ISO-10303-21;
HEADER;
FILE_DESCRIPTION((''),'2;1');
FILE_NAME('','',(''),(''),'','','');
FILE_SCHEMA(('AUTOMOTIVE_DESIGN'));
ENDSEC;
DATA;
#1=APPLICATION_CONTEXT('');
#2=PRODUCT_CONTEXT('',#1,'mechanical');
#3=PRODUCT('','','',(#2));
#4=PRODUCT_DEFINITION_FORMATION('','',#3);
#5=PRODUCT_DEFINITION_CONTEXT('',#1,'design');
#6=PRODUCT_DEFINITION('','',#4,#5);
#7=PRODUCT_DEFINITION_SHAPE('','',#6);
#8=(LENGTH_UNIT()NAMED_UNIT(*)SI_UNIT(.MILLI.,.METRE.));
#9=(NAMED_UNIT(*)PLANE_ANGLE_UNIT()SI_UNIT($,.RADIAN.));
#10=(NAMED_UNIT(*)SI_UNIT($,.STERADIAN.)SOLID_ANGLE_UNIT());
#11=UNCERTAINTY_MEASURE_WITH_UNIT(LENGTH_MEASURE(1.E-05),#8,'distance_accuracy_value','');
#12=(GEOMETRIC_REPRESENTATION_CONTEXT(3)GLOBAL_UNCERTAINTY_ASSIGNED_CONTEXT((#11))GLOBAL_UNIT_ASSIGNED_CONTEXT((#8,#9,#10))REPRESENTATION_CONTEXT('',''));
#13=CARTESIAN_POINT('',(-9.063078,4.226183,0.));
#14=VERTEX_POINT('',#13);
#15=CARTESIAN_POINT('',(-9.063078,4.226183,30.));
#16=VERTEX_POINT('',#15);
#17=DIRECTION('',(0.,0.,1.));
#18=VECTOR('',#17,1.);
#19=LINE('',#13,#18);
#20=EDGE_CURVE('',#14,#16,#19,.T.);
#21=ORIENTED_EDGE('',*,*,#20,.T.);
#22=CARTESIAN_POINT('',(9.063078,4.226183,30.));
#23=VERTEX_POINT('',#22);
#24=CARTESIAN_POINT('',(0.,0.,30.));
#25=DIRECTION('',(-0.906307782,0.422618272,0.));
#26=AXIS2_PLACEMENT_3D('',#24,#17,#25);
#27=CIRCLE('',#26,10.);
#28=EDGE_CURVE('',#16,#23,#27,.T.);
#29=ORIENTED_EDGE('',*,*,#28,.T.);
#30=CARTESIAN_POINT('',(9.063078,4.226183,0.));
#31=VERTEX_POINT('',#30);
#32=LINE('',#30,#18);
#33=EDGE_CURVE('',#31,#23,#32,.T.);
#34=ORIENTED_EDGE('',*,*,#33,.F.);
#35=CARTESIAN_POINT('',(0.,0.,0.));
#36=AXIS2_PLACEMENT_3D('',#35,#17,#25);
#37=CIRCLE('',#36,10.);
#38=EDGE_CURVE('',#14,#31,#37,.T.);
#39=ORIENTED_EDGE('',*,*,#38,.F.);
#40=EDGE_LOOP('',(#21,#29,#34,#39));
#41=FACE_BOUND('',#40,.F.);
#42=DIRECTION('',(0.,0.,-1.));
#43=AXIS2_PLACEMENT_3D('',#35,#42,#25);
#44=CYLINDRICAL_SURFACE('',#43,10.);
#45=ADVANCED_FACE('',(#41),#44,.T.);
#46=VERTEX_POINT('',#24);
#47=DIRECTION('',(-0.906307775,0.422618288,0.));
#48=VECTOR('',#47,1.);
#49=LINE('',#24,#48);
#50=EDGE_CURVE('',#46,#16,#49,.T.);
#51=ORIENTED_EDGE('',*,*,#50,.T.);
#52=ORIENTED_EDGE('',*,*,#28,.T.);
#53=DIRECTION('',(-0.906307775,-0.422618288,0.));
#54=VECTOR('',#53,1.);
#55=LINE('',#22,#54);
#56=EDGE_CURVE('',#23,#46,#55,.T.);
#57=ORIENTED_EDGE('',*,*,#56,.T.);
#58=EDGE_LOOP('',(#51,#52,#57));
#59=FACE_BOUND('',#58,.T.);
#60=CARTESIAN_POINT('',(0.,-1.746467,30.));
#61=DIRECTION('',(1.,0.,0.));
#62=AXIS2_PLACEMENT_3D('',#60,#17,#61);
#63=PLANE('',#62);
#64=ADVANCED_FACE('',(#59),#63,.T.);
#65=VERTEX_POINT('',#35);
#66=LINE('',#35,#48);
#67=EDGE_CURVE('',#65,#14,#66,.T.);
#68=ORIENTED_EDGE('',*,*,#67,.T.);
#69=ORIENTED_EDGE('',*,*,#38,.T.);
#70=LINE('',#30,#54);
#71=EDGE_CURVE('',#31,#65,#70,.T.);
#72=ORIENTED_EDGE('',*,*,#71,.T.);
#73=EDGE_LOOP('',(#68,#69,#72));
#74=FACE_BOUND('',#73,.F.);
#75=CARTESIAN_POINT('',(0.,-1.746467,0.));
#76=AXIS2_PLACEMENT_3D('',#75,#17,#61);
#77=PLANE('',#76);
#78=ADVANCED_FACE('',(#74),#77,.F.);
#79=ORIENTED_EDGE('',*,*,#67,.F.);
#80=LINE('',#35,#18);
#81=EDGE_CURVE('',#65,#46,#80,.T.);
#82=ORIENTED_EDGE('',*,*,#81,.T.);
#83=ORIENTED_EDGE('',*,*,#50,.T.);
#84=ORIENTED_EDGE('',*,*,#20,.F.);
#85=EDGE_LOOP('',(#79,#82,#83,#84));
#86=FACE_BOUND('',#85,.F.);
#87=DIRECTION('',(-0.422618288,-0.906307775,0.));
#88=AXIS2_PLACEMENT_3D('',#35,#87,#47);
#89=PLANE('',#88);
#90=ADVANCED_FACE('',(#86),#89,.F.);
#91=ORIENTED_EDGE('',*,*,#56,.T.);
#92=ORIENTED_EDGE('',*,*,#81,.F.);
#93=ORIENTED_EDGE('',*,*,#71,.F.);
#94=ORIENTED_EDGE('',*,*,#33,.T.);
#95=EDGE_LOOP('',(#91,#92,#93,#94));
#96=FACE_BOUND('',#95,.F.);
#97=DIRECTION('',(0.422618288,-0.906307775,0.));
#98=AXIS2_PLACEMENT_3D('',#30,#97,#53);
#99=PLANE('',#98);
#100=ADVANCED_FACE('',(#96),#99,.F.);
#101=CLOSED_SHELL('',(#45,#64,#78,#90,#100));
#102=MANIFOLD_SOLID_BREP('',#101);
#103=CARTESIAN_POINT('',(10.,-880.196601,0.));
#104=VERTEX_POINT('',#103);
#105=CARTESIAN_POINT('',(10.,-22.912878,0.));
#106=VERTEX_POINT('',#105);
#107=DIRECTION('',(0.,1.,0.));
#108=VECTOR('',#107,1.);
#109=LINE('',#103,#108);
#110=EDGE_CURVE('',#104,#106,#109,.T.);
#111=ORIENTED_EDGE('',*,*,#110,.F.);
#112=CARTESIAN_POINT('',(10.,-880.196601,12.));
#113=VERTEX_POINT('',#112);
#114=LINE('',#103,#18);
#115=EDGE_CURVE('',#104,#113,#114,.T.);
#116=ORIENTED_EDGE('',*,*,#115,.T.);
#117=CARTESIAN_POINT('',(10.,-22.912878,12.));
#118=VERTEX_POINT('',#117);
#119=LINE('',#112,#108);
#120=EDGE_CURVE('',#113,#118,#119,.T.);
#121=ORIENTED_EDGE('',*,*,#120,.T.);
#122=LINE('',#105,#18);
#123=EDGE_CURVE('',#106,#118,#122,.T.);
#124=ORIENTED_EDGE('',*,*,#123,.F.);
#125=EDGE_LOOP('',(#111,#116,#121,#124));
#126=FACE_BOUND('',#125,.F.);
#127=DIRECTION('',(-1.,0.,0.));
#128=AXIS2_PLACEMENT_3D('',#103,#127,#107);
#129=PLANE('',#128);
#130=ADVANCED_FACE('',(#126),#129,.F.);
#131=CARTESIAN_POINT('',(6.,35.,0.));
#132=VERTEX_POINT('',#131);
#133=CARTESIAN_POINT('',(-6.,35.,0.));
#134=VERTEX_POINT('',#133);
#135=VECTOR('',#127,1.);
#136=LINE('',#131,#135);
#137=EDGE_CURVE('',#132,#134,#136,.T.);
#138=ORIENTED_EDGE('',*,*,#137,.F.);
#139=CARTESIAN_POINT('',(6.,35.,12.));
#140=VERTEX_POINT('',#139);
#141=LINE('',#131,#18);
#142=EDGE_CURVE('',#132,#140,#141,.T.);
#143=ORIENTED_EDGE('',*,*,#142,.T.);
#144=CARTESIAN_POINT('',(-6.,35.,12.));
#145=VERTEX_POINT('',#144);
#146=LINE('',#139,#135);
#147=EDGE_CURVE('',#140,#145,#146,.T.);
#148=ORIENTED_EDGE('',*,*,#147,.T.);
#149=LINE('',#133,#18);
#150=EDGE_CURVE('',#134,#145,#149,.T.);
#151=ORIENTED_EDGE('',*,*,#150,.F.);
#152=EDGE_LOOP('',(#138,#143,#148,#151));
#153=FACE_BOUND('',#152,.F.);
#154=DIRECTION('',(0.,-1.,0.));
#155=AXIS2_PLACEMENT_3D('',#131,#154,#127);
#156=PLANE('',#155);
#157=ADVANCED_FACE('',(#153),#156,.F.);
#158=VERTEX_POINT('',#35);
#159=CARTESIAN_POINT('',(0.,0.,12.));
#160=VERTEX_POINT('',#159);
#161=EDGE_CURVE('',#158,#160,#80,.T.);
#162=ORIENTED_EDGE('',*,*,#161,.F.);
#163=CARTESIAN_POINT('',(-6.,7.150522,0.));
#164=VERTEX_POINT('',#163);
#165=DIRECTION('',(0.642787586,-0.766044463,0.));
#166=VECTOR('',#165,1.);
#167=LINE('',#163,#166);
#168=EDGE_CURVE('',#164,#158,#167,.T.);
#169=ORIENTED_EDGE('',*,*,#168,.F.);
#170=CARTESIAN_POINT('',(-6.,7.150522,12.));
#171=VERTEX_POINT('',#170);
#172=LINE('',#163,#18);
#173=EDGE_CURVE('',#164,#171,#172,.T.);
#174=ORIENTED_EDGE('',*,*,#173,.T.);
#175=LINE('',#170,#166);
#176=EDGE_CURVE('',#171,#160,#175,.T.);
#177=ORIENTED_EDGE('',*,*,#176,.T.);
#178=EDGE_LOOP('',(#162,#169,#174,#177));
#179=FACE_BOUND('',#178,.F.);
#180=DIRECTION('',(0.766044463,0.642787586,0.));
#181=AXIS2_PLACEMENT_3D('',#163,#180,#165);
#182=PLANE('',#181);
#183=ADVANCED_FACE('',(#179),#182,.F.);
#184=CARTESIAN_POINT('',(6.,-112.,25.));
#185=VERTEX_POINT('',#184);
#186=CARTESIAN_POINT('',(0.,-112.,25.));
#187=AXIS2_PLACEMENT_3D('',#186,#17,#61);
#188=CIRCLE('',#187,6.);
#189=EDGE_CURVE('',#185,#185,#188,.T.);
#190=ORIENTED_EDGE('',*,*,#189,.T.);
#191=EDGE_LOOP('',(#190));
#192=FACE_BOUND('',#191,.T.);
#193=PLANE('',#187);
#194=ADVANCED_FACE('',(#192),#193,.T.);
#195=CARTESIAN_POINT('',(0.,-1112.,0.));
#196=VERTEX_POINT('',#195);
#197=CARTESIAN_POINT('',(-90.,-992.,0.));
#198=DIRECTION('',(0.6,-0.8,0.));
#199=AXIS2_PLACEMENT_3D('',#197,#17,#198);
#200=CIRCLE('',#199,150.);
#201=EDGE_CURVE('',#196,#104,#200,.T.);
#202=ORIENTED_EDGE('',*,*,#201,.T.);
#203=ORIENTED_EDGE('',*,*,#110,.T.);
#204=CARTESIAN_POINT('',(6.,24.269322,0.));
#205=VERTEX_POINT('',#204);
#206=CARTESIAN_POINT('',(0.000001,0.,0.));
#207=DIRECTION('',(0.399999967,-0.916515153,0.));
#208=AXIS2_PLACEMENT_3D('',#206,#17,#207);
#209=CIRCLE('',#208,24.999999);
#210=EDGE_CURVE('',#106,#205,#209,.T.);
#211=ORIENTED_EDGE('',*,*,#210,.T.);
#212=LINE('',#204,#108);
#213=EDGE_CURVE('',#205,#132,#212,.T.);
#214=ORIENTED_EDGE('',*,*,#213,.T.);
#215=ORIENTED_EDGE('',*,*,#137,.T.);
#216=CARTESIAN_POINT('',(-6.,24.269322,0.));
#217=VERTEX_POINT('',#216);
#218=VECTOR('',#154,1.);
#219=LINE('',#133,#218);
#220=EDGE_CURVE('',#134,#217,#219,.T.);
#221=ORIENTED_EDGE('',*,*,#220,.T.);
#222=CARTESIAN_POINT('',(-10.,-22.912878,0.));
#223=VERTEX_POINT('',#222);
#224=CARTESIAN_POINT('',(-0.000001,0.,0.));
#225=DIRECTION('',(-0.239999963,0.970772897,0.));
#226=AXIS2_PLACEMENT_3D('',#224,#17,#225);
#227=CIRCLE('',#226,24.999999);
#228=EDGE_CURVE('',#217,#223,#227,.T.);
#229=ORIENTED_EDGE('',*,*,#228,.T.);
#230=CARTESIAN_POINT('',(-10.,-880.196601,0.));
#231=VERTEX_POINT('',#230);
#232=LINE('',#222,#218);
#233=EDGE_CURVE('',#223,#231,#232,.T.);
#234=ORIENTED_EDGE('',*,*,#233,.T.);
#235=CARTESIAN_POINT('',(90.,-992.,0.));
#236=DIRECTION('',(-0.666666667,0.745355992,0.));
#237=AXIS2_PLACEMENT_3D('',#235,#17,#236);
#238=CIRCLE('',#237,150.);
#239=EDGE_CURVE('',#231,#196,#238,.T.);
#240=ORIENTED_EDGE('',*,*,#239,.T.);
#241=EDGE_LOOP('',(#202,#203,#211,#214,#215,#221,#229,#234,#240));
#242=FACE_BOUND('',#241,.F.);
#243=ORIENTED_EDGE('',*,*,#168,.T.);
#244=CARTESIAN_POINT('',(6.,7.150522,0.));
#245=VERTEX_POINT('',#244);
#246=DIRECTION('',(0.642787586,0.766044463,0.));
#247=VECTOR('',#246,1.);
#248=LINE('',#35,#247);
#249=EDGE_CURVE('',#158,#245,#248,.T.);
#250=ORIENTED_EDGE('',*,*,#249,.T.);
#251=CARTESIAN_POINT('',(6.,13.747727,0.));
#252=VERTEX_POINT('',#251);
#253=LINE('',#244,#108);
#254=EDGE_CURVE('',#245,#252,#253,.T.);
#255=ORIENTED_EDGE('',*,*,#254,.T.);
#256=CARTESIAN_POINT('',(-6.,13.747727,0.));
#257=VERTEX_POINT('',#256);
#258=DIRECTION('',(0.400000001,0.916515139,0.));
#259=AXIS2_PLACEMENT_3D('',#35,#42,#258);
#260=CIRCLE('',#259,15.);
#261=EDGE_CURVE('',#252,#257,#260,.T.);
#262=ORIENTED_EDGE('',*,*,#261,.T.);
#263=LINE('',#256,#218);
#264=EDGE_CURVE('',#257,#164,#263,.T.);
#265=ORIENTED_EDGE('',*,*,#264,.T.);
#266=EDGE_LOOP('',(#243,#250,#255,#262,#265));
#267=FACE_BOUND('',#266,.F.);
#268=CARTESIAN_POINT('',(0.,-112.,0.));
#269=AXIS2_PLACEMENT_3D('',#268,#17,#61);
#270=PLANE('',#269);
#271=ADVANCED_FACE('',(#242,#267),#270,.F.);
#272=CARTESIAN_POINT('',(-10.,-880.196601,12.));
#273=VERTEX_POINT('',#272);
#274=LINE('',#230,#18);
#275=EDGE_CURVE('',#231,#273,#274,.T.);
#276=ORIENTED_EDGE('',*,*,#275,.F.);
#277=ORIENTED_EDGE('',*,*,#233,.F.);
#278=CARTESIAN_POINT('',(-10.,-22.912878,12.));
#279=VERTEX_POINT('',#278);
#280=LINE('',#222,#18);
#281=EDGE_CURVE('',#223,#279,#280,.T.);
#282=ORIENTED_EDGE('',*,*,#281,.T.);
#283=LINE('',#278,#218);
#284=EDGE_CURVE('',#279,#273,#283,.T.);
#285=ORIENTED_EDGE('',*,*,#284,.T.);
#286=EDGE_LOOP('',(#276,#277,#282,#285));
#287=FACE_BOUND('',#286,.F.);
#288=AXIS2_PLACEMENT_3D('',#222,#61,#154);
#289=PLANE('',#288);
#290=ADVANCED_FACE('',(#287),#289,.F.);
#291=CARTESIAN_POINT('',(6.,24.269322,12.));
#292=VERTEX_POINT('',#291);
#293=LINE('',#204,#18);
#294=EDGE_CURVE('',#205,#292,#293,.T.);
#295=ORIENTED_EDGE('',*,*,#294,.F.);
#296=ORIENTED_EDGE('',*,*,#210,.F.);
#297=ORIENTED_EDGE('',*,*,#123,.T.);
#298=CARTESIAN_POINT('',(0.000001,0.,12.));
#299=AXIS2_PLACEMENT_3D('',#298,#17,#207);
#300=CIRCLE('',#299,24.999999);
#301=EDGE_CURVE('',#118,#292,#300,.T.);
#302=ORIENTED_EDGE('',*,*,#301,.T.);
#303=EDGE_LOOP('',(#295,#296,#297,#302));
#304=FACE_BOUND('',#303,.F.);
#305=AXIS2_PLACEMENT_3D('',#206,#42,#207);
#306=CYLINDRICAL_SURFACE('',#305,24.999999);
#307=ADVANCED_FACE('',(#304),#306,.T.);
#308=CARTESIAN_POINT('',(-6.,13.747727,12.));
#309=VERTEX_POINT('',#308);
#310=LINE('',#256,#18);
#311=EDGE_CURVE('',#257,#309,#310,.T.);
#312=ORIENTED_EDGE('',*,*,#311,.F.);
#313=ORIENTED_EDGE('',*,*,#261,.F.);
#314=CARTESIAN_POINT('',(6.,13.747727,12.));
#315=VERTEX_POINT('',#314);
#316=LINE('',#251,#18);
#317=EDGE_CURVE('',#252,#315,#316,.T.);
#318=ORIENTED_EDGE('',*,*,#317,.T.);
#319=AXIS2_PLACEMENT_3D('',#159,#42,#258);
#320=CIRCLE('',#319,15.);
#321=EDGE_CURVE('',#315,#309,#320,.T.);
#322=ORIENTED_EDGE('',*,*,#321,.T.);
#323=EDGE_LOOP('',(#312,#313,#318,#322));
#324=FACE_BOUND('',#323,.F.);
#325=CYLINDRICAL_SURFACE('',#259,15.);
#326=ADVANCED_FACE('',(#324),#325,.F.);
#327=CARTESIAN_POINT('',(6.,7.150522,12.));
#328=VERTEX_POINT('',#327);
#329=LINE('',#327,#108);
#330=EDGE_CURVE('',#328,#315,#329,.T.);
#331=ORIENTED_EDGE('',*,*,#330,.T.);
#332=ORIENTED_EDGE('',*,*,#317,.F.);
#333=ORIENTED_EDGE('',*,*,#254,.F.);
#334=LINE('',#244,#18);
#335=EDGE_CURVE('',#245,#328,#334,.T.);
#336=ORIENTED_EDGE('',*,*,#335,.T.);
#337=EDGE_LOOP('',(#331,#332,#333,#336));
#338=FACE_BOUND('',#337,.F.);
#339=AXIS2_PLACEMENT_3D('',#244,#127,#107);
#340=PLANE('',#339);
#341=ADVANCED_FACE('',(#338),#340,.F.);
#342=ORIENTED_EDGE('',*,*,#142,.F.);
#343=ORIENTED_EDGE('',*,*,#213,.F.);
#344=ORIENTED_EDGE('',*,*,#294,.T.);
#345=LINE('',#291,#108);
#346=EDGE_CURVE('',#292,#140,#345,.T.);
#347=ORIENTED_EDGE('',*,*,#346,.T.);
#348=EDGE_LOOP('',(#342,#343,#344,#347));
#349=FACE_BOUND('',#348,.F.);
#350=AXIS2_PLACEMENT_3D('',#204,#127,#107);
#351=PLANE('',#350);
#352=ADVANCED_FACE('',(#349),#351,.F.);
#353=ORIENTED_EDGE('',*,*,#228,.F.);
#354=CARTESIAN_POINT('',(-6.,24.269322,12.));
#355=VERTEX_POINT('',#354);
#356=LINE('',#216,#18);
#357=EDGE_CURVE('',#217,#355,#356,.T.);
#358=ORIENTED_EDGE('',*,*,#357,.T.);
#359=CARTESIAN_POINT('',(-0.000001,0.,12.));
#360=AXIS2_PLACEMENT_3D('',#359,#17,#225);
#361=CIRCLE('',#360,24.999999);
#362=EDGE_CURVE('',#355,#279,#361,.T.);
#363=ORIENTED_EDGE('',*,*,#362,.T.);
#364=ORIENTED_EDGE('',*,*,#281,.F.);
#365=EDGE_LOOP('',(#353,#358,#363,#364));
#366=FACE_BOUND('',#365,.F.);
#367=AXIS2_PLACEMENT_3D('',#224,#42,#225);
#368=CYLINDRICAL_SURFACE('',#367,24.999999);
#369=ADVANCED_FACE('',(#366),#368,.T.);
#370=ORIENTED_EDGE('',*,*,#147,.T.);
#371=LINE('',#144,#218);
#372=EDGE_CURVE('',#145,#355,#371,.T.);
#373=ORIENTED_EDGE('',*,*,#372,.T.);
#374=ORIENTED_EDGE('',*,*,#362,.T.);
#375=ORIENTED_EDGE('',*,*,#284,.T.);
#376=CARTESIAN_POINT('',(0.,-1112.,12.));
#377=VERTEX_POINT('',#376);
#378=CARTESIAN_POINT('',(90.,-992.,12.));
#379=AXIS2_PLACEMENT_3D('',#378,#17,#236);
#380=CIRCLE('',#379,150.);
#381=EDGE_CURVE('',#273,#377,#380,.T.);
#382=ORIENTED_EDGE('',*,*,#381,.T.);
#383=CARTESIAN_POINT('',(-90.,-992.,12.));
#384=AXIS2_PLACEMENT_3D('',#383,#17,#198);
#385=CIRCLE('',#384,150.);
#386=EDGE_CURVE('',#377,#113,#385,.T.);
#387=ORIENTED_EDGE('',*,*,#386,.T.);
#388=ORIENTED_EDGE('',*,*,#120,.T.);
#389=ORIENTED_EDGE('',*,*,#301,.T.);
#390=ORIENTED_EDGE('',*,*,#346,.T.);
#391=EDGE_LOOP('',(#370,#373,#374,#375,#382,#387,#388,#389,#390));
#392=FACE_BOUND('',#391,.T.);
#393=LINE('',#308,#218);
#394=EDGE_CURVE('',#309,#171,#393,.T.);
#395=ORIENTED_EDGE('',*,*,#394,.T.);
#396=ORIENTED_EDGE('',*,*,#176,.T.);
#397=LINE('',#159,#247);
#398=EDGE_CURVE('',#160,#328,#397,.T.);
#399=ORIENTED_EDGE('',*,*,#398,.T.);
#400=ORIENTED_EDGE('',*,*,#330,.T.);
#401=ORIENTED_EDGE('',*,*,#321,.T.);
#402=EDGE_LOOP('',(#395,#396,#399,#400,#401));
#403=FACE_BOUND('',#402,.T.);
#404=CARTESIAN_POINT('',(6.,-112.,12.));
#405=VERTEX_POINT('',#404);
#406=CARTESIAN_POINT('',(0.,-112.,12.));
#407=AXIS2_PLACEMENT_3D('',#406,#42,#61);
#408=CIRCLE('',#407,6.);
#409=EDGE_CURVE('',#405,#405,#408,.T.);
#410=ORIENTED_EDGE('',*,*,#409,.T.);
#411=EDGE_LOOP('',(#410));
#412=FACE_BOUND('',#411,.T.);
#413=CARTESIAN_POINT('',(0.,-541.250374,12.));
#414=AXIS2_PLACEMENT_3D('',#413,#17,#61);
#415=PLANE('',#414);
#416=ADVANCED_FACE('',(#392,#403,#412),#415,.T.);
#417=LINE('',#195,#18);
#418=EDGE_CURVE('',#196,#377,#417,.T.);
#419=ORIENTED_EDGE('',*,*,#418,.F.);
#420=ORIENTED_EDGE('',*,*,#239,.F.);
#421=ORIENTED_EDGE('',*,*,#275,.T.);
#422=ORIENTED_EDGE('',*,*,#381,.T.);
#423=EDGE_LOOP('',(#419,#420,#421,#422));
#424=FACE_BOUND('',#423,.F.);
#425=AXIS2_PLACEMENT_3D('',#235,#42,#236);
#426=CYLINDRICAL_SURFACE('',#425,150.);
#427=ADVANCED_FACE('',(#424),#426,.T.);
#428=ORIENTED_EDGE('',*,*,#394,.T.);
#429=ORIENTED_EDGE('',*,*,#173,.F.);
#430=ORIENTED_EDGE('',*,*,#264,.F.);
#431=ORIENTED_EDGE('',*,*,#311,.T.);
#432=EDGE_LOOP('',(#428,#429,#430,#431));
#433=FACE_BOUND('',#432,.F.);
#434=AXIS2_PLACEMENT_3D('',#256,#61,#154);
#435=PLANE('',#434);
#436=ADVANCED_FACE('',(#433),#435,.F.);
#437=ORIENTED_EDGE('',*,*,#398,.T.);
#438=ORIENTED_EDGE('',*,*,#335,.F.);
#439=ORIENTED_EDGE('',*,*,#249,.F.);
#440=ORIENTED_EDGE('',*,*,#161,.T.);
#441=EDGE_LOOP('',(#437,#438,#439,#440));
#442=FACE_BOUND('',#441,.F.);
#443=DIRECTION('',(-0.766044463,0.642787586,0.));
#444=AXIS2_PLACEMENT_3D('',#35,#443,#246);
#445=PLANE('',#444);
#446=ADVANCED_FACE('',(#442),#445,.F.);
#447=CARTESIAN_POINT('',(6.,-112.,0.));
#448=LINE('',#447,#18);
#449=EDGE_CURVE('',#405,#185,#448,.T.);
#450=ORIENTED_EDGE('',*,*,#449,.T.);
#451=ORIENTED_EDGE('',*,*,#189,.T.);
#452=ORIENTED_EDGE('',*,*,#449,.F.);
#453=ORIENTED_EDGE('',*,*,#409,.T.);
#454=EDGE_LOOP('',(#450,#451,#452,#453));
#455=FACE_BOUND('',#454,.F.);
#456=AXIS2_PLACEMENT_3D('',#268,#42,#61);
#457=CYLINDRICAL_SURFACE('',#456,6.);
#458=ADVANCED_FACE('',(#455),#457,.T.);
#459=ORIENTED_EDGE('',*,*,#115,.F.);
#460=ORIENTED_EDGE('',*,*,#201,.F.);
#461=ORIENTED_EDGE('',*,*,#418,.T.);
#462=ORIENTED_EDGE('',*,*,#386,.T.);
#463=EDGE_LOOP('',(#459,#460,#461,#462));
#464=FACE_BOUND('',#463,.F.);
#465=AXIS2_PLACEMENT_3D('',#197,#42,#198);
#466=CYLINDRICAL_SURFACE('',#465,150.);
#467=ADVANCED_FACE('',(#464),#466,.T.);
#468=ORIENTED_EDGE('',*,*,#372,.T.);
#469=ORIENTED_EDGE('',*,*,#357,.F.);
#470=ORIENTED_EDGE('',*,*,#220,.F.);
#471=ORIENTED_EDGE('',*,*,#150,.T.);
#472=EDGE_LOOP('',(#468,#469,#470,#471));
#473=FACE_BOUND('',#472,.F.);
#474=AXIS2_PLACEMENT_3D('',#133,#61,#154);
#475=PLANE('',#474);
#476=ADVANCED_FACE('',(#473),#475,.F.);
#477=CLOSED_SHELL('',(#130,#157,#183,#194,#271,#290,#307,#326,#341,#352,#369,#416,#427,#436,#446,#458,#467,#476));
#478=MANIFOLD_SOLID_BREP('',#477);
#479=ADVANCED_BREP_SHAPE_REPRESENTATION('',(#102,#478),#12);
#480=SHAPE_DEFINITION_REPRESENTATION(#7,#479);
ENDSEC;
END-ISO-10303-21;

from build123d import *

# Parameters (mm, degrees)
F1_DEPTH = 12
F3_DEPTH = 30
F4_R     = 6
F5_DEPTH = 25


with BuildPart() as f1:
    # F0 (on Top) → F1 (new body)
    with BuildSketch(Plane.XY):
        with BuildLine():
            Line((10, -880.196601), (10, -22.912878))
            ThreePointArc((10, -22.912878), (24.910641, 2.111868), (6, 24.269322))
            Line((6, 24.269322), (6, 35))
            Line((6, 35), (-6, 35))
            Line((-6, 35), (-6, 24.269322))
            ThreePointArc((-6, 24.269322), (-24.910641, 2.111868), (-10, -22.912878))
            Line((-10, -22.912878), (-10, -880.196601))
            ThreePointArc((-10, -880.196601), (-59.860615, -998.464988), (0, -1112))
            ThreePointArc((0, -1112), (59.860615, -998.464988), (10, -880.196601))
        make_face()
        with BuildLine():
            ThreePointArc((6, 13.747727), (0, -15), (-6, 13.747727))
            Line((-6, 13.747727), (-6, 7.150522))
            Line((-6, 7.150522), (0, 0))
            Line((0, 0), (6, 7.150522))
            Line((6, 7.150522), (6, 13.747727))
        make_face(mode=Mode.SUBTRACT)
    extrude(amount=F1_DEPTH)

    # F4 (on Top) → F5 (join)
    with BuildSketch(Plane.XY):
        with Locations((0, -112)):
            Circle(F4_R)
    extrude(amount=F5_DEPTH)


with BuildPart() as f3:
    # F2 (on Top) → F3 (new body)
    with BuildSketch(Plane.XY):
        with BuildLine():
            Line((0, 0), (-9.063078, 4.226183))
            ThreePointArc((-9.063078, 4.226183), (0, -10), (9.063078, 4.226183))
            Line((9.063078, 4.226183), (0, 0))
        make_face()
    extrude(amount=F3_DEPTH)


solid = Compound([f1.part, f3.part])
